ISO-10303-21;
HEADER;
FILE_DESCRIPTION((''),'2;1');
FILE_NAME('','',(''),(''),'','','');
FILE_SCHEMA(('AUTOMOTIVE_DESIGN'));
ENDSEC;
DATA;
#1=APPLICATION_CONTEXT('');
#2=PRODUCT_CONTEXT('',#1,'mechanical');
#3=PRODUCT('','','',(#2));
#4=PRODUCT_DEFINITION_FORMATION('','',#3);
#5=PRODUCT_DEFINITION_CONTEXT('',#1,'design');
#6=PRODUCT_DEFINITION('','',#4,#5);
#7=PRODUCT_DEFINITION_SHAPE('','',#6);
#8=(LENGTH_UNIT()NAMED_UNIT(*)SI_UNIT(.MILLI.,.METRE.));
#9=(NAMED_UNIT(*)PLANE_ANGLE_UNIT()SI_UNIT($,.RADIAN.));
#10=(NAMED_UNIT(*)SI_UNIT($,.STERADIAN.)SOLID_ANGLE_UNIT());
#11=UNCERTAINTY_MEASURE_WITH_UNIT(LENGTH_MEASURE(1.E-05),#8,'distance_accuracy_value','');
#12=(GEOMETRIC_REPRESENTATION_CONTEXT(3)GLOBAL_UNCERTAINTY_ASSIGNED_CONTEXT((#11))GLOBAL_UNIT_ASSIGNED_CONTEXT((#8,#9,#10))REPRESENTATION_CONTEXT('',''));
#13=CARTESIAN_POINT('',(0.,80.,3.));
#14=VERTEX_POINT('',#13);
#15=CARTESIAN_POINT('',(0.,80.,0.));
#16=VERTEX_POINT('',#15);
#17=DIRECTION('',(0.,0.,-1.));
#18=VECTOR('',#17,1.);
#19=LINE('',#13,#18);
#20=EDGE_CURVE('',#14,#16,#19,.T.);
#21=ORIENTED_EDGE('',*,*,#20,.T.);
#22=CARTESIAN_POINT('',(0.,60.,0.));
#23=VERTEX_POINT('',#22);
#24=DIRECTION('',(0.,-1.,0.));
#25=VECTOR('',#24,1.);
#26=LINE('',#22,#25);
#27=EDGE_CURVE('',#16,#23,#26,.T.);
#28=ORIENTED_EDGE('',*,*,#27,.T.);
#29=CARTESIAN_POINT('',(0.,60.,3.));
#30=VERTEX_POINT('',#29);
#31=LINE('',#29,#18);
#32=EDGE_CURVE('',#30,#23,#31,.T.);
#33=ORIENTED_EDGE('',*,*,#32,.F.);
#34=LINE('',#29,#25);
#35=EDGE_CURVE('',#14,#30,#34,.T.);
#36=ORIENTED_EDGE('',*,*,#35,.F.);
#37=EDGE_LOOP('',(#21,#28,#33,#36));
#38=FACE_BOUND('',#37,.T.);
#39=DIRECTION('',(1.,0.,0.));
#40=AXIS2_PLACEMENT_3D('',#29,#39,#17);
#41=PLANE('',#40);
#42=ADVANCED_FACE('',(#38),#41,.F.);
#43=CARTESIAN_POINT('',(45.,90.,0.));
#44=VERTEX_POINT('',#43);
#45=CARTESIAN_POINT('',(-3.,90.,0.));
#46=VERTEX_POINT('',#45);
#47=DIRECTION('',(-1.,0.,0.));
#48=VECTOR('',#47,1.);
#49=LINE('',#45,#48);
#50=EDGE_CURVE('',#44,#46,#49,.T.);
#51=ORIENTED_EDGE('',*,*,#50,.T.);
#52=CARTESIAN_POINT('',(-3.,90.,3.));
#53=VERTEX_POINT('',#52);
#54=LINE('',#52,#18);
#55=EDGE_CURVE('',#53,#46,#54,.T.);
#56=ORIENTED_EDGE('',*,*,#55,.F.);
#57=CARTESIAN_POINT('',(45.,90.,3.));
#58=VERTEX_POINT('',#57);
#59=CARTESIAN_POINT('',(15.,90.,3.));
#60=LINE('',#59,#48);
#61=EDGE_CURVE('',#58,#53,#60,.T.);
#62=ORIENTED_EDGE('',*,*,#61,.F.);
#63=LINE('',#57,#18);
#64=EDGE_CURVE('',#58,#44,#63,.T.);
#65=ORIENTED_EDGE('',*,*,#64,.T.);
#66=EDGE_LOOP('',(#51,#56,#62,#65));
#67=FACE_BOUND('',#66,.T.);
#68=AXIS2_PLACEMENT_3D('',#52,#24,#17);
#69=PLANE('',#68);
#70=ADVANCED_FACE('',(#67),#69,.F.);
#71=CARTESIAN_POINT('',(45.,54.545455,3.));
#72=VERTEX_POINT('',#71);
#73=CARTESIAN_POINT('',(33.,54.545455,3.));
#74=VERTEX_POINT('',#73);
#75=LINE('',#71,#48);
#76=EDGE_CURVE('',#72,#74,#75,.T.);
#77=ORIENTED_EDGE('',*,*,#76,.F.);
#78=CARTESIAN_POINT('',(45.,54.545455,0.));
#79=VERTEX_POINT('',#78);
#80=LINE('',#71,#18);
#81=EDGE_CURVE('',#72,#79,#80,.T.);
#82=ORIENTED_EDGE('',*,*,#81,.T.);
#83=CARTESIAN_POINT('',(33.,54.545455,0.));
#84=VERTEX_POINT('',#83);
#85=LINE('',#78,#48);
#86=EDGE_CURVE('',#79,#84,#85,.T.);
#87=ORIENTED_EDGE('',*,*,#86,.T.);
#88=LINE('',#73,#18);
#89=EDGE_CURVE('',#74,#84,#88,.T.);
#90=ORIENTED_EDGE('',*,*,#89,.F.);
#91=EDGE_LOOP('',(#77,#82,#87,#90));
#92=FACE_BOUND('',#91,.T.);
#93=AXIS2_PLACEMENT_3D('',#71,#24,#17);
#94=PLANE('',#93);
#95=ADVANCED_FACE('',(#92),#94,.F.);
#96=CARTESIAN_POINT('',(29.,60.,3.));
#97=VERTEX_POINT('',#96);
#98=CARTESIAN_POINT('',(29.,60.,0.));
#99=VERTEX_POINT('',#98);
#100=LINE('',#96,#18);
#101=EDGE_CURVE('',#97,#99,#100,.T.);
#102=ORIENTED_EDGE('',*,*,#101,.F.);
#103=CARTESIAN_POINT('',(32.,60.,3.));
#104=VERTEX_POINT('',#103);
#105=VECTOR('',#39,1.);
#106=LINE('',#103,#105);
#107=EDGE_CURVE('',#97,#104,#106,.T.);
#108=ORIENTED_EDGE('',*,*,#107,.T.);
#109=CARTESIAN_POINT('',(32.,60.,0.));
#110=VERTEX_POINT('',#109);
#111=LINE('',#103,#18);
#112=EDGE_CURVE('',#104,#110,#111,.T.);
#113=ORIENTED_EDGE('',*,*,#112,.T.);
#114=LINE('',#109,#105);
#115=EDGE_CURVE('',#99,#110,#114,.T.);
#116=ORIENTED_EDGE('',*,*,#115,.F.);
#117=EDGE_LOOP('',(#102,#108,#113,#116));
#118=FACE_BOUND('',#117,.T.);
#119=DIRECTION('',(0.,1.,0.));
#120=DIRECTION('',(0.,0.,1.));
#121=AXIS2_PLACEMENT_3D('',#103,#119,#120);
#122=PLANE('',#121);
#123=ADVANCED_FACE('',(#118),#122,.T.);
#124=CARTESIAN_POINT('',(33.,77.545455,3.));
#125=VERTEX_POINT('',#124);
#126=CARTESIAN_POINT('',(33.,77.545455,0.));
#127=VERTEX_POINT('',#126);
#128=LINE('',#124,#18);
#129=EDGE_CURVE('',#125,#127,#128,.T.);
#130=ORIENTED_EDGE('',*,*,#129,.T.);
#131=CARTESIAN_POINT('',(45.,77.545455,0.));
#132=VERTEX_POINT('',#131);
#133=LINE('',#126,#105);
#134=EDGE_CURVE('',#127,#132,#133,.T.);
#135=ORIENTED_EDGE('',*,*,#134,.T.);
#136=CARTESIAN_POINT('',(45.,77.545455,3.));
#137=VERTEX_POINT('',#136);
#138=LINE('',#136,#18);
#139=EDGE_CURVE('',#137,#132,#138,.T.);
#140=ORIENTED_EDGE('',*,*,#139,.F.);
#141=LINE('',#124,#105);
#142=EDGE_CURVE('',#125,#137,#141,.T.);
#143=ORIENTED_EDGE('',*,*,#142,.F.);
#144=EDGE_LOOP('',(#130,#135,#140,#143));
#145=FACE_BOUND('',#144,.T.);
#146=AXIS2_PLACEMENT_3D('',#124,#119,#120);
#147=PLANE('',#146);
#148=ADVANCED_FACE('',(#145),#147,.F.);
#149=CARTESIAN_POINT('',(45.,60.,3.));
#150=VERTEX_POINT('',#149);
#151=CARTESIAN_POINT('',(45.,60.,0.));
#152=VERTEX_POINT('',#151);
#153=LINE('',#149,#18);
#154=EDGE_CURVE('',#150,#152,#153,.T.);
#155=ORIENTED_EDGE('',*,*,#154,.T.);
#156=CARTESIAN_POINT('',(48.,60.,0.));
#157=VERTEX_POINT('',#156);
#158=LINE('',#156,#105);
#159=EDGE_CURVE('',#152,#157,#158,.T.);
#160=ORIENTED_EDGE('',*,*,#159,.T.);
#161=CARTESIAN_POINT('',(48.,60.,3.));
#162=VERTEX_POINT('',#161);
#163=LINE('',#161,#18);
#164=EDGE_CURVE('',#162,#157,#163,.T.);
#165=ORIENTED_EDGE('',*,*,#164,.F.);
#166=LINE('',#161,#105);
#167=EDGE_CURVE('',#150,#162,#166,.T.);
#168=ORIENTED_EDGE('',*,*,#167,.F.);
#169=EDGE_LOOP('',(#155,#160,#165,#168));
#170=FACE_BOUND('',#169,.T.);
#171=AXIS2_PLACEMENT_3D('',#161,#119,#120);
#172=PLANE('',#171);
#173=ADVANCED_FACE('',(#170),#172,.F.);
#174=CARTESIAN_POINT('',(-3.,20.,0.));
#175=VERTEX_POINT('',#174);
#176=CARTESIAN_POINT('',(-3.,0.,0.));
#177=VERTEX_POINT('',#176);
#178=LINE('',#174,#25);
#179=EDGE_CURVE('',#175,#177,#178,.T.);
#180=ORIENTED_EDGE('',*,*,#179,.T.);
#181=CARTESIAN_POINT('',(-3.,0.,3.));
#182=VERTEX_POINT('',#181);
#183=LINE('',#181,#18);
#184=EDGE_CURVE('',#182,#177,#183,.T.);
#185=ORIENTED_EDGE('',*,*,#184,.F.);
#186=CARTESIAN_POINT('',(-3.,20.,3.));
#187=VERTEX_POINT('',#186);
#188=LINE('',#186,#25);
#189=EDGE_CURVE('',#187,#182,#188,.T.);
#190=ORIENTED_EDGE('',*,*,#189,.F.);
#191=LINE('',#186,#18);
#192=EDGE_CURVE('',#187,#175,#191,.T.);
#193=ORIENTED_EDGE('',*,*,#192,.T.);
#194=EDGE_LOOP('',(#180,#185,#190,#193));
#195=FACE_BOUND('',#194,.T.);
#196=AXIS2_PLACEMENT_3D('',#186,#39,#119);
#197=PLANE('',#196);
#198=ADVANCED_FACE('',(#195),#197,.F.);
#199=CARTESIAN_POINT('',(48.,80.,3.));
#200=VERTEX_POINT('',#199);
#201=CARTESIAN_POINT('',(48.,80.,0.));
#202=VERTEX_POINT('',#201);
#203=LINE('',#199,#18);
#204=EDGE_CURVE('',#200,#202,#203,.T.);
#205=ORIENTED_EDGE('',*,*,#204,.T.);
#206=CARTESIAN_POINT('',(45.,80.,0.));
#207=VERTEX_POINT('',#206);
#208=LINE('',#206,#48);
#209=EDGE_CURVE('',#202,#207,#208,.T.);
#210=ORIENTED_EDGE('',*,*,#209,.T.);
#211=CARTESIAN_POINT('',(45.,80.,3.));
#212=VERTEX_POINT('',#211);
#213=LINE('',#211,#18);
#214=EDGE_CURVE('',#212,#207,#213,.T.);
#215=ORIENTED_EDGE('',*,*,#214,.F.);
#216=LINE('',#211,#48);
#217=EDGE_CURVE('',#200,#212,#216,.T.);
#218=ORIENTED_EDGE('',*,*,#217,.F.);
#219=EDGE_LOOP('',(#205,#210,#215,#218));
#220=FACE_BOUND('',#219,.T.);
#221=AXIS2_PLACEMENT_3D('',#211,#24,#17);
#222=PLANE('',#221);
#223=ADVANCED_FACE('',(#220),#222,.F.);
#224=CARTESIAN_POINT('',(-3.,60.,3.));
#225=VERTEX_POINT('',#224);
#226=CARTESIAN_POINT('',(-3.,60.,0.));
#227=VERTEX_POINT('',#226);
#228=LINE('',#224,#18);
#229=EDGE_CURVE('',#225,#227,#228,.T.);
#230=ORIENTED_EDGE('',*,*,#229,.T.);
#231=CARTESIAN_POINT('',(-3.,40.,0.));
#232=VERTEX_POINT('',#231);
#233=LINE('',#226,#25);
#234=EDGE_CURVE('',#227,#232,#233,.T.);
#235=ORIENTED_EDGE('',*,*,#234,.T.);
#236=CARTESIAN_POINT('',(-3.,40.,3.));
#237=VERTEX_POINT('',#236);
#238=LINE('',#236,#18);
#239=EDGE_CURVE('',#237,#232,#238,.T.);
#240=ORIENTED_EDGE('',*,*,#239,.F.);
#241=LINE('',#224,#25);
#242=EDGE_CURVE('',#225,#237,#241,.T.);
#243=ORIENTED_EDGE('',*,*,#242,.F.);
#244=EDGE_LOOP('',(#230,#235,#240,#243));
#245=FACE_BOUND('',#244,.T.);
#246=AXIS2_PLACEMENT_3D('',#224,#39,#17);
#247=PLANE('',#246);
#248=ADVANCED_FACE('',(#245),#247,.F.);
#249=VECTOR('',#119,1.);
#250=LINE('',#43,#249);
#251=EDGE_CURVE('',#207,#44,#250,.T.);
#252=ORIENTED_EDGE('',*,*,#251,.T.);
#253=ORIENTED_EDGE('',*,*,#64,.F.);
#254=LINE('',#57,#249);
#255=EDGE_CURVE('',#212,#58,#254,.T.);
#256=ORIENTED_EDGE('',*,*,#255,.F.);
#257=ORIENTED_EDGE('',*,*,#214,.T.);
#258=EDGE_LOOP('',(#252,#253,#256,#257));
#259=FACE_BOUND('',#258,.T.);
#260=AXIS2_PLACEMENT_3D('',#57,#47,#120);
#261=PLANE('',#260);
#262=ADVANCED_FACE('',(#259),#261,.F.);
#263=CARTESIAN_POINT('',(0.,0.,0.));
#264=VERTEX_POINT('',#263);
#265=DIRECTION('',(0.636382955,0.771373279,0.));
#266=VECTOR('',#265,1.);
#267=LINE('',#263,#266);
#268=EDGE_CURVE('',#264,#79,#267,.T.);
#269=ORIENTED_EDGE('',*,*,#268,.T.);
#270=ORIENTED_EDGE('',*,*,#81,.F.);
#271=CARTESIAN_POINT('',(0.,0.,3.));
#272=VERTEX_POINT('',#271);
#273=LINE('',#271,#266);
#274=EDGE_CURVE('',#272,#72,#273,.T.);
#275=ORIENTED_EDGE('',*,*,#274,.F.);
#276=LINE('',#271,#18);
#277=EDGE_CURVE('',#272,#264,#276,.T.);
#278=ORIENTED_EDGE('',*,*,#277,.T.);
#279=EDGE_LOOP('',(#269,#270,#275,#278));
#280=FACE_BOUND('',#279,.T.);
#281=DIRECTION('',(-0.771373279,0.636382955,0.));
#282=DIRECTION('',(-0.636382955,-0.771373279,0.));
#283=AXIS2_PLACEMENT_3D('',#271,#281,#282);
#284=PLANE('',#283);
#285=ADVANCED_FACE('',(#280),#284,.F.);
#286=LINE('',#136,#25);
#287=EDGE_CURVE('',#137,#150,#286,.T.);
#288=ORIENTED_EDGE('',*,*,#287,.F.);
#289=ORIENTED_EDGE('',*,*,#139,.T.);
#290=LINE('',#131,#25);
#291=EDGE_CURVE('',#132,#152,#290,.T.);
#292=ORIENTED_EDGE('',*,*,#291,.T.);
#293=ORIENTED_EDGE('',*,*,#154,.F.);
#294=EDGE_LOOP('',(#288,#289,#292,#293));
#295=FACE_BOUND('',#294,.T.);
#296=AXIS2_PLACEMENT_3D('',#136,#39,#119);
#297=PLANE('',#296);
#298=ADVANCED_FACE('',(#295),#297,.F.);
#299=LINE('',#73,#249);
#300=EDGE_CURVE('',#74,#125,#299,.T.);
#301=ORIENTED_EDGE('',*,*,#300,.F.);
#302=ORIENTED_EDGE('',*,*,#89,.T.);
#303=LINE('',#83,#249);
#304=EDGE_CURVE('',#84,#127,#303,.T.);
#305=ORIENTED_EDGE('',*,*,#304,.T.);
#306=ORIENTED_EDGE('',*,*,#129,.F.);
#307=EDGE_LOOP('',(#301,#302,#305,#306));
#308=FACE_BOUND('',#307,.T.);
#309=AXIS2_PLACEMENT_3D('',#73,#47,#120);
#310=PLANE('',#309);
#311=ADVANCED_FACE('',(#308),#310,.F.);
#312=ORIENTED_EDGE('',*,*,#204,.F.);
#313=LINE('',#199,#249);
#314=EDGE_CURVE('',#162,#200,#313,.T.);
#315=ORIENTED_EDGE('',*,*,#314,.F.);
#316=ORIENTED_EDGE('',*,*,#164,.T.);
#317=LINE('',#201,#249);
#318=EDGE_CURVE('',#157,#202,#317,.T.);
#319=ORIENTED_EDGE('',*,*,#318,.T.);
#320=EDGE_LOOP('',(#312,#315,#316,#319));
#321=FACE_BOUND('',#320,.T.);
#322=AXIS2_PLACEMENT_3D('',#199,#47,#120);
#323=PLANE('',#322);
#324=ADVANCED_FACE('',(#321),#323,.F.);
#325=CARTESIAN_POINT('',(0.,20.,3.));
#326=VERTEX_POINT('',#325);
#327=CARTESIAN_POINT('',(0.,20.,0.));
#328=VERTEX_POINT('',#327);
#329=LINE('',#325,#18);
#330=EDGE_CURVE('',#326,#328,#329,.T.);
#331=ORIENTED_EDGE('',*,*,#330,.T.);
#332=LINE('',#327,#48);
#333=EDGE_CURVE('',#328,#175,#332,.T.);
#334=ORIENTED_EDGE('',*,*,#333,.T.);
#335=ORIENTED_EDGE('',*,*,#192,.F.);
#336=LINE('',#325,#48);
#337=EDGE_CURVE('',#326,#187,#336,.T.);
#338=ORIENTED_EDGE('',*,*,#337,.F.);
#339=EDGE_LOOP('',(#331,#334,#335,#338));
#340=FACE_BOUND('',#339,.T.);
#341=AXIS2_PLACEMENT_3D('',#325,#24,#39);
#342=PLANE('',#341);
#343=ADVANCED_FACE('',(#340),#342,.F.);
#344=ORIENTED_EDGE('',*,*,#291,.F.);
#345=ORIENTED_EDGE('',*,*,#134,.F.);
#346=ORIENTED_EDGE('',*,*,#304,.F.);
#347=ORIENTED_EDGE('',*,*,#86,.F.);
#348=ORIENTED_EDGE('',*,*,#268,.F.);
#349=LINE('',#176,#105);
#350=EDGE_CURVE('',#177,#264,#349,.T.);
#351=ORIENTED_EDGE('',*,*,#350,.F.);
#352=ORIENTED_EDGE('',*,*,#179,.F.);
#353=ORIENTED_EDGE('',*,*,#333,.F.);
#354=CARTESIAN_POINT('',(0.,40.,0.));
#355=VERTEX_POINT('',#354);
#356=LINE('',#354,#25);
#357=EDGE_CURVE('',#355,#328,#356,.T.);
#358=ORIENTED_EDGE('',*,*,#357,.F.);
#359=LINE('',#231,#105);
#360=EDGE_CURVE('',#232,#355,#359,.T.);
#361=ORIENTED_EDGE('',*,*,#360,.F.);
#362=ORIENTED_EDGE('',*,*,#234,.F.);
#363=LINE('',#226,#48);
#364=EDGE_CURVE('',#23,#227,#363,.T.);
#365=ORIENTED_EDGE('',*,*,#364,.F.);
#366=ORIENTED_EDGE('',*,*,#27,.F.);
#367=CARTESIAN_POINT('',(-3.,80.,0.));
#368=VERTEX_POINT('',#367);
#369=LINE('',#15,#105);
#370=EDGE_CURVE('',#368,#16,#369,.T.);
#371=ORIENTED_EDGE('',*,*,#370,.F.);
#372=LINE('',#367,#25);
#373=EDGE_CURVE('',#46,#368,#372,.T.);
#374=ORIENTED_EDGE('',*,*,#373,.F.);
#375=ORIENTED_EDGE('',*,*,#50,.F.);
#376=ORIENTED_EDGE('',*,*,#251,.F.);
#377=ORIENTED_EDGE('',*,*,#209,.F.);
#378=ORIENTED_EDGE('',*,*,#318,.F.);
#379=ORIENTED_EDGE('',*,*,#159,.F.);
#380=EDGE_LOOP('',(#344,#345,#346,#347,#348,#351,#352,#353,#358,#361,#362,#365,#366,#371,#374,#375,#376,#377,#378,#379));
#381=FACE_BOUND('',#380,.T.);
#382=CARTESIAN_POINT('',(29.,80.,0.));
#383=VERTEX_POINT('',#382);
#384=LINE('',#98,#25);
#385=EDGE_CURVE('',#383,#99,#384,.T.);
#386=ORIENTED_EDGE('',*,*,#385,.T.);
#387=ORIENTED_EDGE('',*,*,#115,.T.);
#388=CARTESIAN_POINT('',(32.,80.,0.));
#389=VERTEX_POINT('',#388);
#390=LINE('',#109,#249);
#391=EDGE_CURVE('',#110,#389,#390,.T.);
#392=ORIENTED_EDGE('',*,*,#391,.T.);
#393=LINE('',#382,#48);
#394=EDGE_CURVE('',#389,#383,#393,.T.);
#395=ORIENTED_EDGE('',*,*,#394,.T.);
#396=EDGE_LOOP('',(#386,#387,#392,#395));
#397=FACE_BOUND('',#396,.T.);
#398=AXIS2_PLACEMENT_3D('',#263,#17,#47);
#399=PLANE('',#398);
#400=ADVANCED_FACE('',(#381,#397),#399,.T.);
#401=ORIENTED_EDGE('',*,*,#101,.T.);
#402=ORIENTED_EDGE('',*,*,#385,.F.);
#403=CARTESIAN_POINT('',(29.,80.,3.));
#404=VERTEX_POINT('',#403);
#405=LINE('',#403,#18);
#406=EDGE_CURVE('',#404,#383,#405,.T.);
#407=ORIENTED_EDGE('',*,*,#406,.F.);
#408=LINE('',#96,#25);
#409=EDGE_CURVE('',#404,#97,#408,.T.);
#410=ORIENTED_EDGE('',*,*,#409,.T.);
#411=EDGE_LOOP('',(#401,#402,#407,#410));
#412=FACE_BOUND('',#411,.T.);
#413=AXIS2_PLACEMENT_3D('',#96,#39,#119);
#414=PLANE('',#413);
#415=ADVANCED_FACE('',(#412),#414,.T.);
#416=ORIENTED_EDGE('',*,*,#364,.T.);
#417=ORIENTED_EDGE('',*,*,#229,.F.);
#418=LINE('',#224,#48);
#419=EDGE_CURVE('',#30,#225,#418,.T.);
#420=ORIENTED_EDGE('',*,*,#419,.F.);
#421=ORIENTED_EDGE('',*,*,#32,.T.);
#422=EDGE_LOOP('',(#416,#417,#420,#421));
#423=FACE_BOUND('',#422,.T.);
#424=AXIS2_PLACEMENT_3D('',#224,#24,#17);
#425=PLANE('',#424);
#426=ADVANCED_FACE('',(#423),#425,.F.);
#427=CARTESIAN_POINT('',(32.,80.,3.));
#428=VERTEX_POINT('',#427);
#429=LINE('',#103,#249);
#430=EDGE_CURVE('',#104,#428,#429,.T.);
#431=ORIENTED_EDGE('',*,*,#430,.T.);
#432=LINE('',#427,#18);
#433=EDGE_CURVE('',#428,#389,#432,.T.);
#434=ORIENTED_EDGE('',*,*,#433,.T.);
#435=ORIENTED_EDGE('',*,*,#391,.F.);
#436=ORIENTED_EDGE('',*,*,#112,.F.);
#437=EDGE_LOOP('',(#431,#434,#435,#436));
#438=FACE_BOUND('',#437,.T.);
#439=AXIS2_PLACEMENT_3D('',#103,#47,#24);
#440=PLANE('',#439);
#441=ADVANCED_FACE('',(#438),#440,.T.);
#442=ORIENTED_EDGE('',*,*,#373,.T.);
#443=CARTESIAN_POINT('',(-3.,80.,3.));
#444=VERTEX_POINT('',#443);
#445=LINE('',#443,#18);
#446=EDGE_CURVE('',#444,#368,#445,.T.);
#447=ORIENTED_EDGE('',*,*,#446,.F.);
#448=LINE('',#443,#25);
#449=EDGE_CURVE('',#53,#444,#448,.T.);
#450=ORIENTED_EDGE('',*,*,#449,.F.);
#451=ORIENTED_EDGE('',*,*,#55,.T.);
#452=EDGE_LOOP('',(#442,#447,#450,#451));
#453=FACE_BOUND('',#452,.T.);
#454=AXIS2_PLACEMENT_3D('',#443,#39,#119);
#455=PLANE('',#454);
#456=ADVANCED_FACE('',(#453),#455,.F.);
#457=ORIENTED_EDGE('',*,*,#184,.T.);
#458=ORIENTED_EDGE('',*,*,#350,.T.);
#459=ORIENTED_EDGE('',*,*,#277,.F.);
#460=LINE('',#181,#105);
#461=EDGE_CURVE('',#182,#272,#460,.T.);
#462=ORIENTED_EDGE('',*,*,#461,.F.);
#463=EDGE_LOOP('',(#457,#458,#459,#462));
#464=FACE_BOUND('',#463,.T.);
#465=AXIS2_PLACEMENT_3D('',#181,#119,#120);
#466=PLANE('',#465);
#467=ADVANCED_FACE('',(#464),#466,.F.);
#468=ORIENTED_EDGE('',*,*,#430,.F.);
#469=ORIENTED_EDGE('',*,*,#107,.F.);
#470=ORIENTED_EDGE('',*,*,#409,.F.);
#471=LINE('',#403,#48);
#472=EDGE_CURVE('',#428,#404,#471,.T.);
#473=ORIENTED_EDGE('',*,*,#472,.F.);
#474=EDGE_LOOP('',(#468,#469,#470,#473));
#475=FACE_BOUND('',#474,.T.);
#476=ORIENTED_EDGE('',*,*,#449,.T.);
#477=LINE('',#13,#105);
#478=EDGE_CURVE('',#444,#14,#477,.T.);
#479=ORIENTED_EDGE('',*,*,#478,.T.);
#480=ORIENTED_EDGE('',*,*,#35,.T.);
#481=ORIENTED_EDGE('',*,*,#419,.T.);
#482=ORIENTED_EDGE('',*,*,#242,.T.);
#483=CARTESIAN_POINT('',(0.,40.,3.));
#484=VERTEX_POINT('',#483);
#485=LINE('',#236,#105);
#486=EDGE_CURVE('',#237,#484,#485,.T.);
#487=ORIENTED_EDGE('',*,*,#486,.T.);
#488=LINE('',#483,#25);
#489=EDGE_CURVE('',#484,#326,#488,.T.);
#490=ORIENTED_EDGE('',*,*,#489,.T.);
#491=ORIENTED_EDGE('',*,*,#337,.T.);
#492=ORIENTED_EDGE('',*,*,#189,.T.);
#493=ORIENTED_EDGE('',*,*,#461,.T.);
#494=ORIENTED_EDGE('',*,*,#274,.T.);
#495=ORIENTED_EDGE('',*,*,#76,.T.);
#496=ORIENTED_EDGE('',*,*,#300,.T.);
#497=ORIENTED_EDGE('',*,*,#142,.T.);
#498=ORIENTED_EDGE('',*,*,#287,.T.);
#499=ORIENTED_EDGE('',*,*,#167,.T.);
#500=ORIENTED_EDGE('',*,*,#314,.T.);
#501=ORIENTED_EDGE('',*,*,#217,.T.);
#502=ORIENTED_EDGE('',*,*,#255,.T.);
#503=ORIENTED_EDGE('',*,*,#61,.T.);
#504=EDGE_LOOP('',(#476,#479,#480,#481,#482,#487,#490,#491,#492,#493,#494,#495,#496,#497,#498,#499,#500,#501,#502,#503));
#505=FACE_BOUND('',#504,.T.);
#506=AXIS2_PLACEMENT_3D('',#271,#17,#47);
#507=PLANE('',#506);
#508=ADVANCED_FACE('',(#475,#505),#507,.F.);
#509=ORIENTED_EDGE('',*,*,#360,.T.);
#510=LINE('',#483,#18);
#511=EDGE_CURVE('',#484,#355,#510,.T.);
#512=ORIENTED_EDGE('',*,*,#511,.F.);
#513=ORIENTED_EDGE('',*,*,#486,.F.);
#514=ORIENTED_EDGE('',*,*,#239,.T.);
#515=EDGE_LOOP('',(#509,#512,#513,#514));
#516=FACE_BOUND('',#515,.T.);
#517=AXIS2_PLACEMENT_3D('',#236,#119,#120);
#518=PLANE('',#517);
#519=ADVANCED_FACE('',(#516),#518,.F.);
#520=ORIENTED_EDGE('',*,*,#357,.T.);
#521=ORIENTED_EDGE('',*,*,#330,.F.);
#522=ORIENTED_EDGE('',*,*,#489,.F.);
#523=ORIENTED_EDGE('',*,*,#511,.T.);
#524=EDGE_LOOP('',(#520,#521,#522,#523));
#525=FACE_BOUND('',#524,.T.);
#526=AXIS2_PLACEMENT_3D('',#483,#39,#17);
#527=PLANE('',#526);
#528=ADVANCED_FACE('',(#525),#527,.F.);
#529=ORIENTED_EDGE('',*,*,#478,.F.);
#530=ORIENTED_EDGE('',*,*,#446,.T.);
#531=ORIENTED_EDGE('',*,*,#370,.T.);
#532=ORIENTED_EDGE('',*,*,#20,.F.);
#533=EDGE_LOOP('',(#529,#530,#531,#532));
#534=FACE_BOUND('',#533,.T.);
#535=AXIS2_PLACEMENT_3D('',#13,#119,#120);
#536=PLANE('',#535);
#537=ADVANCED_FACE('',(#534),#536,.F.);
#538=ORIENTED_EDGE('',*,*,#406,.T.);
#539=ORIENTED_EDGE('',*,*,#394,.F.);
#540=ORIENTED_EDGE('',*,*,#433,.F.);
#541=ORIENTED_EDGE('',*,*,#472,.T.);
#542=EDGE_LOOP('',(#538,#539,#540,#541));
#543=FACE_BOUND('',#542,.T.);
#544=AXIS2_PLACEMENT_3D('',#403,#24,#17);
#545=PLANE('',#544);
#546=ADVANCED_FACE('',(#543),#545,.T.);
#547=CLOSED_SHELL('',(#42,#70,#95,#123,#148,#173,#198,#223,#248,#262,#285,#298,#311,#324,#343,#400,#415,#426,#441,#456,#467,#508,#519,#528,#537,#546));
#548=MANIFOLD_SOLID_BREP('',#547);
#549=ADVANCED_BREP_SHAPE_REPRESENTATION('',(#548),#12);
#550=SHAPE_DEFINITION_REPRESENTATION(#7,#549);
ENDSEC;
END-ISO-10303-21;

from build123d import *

# Parameters (mm, degrees)
SKETCH1_W           = 3
SKETCH1_H           = 20
BOSS_EXTRUDE1_DEPTH = 3


with BuildPart() as part:
    # Sketch1 → Boss-Extrude1 (new body)
    with BuildSketch(Plane.XY):
        Polygon((-3, 60), (-3, 40), (0, 40), (0, 20), (-3, 20), (-3, 0), (0, 0), (45, 54.545454545), (33, 54.545454545), (33, 77.545454545), (45, 77.545454545), (45, 60), (48, 60), (48, 80), (45, 80), (45, 90), (15, 90), (-3, 90), (-3, 80), (0, 80), (0, 60), align=None)
        with Locations((30.5, 70)):
            Rectangle(SKETCH1_W, SKETCH1_H, mode=Mode.SUBTRACT)
    extrude(amount=BOSS_EXTRUDE1_DEPTH)


solid = part.part
